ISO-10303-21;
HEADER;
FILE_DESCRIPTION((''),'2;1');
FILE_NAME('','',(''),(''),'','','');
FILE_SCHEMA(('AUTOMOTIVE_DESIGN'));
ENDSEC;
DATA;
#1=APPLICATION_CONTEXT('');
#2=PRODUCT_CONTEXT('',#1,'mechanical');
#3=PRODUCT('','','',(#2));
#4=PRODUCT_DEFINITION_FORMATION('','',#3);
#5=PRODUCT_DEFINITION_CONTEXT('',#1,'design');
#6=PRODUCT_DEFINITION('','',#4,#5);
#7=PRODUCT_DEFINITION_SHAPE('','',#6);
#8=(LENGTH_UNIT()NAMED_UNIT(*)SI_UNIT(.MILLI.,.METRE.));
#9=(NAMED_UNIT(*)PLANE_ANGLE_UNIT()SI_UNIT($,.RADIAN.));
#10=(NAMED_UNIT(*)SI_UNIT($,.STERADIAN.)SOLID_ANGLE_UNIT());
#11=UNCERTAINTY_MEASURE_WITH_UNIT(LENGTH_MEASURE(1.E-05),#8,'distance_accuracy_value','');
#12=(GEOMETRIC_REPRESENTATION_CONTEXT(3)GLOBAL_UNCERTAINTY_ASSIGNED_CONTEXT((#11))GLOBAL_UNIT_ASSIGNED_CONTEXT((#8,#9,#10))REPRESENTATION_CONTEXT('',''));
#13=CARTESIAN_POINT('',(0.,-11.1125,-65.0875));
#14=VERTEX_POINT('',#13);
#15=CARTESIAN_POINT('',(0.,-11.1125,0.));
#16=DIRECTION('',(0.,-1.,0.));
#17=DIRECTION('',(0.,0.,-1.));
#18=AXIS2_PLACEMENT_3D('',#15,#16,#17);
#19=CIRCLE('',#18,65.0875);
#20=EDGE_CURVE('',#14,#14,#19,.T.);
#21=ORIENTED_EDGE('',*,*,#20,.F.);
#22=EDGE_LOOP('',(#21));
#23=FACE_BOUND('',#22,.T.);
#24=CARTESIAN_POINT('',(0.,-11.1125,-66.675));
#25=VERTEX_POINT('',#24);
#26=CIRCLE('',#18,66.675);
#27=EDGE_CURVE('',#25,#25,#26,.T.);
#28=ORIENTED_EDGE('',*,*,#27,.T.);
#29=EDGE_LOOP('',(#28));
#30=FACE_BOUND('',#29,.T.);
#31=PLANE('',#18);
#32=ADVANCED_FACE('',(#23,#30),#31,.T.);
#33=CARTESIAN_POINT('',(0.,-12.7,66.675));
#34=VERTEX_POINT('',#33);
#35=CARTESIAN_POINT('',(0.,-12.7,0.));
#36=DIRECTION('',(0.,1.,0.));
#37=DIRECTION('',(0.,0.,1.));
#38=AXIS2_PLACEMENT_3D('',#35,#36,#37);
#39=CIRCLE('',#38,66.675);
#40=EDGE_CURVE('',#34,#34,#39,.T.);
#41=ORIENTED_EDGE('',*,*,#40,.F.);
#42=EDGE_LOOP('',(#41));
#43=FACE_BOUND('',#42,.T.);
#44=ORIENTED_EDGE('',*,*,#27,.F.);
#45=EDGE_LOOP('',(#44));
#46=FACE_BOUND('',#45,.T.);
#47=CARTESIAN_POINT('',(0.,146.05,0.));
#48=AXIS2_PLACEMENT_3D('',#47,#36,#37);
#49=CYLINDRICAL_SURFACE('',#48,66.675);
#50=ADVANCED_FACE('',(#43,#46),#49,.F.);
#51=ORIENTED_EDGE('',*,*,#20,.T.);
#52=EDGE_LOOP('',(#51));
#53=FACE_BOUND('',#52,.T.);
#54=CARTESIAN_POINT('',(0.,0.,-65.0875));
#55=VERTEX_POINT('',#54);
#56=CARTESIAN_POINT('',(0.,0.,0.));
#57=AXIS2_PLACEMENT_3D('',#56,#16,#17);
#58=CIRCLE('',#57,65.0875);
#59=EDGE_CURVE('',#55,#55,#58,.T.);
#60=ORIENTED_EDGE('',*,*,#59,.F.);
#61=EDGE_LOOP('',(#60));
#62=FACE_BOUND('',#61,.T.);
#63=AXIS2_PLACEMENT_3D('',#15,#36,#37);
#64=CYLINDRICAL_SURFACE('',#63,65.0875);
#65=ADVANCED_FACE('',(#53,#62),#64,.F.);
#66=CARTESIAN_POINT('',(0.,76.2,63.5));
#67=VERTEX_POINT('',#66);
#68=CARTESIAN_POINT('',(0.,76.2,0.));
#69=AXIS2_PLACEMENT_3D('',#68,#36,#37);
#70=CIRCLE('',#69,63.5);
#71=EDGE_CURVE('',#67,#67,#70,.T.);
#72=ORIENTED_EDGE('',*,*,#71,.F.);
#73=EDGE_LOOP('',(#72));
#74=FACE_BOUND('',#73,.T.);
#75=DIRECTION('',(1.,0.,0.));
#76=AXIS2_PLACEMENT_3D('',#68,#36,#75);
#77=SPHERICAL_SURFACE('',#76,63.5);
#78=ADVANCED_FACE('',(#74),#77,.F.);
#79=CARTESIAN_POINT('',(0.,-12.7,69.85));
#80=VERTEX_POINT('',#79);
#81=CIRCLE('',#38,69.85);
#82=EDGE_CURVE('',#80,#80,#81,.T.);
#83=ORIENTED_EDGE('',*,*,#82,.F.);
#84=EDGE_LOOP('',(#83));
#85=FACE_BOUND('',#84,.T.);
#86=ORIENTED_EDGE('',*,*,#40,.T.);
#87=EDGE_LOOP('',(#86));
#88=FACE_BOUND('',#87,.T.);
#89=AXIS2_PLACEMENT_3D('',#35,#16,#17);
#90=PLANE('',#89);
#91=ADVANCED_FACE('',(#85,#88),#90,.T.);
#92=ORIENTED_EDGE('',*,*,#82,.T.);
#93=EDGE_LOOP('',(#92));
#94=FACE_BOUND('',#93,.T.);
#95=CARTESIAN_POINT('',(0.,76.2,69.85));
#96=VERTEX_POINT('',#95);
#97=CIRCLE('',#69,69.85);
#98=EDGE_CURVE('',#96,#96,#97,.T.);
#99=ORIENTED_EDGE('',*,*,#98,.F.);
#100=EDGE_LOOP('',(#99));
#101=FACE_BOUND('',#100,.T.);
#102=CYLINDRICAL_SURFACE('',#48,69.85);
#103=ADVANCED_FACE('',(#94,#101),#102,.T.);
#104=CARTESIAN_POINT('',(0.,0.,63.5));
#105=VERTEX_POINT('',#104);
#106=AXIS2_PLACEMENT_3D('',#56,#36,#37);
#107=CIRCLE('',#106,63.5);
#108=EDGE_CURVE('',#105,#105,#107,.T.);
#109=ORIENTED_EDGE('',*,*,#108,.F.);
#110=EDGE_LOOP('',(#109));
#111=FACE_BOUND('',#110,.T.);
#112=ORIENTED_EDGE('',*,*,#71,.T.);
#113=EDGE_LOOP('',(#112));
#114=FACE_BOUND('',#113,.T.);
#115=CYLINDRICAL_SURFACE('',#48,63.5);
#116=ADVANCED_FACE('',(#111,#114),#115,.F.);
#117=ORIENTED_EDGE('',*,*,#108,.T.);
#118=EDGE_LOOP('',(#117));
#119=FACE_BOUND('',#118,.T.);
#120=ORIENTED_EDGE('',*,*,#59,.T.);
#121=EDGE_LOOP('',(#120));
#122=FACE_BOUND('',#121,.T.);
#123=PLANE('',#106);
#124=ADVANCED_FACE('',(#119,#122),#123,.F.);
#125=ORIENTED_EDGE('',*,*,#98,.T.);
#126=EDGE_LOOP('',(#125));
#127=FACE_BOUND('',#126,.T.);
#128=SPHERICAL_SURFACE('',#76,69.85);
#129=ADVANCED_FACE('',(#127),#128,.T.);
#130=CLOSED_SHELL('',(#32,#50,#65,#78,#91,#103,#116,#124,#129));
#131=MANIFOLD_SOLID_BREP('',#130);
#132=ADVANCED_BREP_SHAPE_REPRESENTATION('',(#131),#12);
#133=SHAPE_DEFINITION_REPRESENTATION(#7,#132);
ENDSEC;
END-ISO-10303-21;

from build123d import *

# Parameters (mm, degrees)
SKETCH1_W           = 3.175
SKETCH1_H           = 12.7
SKETCH2_R           = 66.675
SKETCH2_R_2         = 65.0875
BOSS_EXTRUDE1_DEPTH = 11.1125


with BuildPart() as part:
    # Sketch1 → Revolve3 (revolve)
    with BuildSketch(Plane.XY):
        with BuildLine():
            Line((69.85, 0), (69.85, 76.2))
            ThreePointArc((69.85, 76.2), (49.391408666, 125.591408666), (0, 146.05))
            Line((0, 146.05), (0, 139.7))
            ThreePointArc((0, 139.7), (44.901280605, 121.101280605), (63.5, 76.2))
            Line((63.5, 76.2), (63.5, 0))
            Line((63.5, 0), (69.85, 0))
        make_face()
        with Locations((68.2625, -6.35)):
            Rectangle(SKETCH1_W, SKETCH1_H)
    revolve(axis=Axis((0, 146.05, 0), (0, -1, 0)))

    # Sketch2 → Boss-Extrude1 (add)
    with BuildSketch(Plane(origin=(0, 0, 0), x_dir=(-1, 0, 0), z_dir=(0, -1, 0))):
        Circle(SKETCH2_R)
        Circle(SKETCH2_R_2, mode=Mode.SUBTRACT)
    extrude(amount=BOSS_EXTRUDE1_DEPTH)


solid = part.part
